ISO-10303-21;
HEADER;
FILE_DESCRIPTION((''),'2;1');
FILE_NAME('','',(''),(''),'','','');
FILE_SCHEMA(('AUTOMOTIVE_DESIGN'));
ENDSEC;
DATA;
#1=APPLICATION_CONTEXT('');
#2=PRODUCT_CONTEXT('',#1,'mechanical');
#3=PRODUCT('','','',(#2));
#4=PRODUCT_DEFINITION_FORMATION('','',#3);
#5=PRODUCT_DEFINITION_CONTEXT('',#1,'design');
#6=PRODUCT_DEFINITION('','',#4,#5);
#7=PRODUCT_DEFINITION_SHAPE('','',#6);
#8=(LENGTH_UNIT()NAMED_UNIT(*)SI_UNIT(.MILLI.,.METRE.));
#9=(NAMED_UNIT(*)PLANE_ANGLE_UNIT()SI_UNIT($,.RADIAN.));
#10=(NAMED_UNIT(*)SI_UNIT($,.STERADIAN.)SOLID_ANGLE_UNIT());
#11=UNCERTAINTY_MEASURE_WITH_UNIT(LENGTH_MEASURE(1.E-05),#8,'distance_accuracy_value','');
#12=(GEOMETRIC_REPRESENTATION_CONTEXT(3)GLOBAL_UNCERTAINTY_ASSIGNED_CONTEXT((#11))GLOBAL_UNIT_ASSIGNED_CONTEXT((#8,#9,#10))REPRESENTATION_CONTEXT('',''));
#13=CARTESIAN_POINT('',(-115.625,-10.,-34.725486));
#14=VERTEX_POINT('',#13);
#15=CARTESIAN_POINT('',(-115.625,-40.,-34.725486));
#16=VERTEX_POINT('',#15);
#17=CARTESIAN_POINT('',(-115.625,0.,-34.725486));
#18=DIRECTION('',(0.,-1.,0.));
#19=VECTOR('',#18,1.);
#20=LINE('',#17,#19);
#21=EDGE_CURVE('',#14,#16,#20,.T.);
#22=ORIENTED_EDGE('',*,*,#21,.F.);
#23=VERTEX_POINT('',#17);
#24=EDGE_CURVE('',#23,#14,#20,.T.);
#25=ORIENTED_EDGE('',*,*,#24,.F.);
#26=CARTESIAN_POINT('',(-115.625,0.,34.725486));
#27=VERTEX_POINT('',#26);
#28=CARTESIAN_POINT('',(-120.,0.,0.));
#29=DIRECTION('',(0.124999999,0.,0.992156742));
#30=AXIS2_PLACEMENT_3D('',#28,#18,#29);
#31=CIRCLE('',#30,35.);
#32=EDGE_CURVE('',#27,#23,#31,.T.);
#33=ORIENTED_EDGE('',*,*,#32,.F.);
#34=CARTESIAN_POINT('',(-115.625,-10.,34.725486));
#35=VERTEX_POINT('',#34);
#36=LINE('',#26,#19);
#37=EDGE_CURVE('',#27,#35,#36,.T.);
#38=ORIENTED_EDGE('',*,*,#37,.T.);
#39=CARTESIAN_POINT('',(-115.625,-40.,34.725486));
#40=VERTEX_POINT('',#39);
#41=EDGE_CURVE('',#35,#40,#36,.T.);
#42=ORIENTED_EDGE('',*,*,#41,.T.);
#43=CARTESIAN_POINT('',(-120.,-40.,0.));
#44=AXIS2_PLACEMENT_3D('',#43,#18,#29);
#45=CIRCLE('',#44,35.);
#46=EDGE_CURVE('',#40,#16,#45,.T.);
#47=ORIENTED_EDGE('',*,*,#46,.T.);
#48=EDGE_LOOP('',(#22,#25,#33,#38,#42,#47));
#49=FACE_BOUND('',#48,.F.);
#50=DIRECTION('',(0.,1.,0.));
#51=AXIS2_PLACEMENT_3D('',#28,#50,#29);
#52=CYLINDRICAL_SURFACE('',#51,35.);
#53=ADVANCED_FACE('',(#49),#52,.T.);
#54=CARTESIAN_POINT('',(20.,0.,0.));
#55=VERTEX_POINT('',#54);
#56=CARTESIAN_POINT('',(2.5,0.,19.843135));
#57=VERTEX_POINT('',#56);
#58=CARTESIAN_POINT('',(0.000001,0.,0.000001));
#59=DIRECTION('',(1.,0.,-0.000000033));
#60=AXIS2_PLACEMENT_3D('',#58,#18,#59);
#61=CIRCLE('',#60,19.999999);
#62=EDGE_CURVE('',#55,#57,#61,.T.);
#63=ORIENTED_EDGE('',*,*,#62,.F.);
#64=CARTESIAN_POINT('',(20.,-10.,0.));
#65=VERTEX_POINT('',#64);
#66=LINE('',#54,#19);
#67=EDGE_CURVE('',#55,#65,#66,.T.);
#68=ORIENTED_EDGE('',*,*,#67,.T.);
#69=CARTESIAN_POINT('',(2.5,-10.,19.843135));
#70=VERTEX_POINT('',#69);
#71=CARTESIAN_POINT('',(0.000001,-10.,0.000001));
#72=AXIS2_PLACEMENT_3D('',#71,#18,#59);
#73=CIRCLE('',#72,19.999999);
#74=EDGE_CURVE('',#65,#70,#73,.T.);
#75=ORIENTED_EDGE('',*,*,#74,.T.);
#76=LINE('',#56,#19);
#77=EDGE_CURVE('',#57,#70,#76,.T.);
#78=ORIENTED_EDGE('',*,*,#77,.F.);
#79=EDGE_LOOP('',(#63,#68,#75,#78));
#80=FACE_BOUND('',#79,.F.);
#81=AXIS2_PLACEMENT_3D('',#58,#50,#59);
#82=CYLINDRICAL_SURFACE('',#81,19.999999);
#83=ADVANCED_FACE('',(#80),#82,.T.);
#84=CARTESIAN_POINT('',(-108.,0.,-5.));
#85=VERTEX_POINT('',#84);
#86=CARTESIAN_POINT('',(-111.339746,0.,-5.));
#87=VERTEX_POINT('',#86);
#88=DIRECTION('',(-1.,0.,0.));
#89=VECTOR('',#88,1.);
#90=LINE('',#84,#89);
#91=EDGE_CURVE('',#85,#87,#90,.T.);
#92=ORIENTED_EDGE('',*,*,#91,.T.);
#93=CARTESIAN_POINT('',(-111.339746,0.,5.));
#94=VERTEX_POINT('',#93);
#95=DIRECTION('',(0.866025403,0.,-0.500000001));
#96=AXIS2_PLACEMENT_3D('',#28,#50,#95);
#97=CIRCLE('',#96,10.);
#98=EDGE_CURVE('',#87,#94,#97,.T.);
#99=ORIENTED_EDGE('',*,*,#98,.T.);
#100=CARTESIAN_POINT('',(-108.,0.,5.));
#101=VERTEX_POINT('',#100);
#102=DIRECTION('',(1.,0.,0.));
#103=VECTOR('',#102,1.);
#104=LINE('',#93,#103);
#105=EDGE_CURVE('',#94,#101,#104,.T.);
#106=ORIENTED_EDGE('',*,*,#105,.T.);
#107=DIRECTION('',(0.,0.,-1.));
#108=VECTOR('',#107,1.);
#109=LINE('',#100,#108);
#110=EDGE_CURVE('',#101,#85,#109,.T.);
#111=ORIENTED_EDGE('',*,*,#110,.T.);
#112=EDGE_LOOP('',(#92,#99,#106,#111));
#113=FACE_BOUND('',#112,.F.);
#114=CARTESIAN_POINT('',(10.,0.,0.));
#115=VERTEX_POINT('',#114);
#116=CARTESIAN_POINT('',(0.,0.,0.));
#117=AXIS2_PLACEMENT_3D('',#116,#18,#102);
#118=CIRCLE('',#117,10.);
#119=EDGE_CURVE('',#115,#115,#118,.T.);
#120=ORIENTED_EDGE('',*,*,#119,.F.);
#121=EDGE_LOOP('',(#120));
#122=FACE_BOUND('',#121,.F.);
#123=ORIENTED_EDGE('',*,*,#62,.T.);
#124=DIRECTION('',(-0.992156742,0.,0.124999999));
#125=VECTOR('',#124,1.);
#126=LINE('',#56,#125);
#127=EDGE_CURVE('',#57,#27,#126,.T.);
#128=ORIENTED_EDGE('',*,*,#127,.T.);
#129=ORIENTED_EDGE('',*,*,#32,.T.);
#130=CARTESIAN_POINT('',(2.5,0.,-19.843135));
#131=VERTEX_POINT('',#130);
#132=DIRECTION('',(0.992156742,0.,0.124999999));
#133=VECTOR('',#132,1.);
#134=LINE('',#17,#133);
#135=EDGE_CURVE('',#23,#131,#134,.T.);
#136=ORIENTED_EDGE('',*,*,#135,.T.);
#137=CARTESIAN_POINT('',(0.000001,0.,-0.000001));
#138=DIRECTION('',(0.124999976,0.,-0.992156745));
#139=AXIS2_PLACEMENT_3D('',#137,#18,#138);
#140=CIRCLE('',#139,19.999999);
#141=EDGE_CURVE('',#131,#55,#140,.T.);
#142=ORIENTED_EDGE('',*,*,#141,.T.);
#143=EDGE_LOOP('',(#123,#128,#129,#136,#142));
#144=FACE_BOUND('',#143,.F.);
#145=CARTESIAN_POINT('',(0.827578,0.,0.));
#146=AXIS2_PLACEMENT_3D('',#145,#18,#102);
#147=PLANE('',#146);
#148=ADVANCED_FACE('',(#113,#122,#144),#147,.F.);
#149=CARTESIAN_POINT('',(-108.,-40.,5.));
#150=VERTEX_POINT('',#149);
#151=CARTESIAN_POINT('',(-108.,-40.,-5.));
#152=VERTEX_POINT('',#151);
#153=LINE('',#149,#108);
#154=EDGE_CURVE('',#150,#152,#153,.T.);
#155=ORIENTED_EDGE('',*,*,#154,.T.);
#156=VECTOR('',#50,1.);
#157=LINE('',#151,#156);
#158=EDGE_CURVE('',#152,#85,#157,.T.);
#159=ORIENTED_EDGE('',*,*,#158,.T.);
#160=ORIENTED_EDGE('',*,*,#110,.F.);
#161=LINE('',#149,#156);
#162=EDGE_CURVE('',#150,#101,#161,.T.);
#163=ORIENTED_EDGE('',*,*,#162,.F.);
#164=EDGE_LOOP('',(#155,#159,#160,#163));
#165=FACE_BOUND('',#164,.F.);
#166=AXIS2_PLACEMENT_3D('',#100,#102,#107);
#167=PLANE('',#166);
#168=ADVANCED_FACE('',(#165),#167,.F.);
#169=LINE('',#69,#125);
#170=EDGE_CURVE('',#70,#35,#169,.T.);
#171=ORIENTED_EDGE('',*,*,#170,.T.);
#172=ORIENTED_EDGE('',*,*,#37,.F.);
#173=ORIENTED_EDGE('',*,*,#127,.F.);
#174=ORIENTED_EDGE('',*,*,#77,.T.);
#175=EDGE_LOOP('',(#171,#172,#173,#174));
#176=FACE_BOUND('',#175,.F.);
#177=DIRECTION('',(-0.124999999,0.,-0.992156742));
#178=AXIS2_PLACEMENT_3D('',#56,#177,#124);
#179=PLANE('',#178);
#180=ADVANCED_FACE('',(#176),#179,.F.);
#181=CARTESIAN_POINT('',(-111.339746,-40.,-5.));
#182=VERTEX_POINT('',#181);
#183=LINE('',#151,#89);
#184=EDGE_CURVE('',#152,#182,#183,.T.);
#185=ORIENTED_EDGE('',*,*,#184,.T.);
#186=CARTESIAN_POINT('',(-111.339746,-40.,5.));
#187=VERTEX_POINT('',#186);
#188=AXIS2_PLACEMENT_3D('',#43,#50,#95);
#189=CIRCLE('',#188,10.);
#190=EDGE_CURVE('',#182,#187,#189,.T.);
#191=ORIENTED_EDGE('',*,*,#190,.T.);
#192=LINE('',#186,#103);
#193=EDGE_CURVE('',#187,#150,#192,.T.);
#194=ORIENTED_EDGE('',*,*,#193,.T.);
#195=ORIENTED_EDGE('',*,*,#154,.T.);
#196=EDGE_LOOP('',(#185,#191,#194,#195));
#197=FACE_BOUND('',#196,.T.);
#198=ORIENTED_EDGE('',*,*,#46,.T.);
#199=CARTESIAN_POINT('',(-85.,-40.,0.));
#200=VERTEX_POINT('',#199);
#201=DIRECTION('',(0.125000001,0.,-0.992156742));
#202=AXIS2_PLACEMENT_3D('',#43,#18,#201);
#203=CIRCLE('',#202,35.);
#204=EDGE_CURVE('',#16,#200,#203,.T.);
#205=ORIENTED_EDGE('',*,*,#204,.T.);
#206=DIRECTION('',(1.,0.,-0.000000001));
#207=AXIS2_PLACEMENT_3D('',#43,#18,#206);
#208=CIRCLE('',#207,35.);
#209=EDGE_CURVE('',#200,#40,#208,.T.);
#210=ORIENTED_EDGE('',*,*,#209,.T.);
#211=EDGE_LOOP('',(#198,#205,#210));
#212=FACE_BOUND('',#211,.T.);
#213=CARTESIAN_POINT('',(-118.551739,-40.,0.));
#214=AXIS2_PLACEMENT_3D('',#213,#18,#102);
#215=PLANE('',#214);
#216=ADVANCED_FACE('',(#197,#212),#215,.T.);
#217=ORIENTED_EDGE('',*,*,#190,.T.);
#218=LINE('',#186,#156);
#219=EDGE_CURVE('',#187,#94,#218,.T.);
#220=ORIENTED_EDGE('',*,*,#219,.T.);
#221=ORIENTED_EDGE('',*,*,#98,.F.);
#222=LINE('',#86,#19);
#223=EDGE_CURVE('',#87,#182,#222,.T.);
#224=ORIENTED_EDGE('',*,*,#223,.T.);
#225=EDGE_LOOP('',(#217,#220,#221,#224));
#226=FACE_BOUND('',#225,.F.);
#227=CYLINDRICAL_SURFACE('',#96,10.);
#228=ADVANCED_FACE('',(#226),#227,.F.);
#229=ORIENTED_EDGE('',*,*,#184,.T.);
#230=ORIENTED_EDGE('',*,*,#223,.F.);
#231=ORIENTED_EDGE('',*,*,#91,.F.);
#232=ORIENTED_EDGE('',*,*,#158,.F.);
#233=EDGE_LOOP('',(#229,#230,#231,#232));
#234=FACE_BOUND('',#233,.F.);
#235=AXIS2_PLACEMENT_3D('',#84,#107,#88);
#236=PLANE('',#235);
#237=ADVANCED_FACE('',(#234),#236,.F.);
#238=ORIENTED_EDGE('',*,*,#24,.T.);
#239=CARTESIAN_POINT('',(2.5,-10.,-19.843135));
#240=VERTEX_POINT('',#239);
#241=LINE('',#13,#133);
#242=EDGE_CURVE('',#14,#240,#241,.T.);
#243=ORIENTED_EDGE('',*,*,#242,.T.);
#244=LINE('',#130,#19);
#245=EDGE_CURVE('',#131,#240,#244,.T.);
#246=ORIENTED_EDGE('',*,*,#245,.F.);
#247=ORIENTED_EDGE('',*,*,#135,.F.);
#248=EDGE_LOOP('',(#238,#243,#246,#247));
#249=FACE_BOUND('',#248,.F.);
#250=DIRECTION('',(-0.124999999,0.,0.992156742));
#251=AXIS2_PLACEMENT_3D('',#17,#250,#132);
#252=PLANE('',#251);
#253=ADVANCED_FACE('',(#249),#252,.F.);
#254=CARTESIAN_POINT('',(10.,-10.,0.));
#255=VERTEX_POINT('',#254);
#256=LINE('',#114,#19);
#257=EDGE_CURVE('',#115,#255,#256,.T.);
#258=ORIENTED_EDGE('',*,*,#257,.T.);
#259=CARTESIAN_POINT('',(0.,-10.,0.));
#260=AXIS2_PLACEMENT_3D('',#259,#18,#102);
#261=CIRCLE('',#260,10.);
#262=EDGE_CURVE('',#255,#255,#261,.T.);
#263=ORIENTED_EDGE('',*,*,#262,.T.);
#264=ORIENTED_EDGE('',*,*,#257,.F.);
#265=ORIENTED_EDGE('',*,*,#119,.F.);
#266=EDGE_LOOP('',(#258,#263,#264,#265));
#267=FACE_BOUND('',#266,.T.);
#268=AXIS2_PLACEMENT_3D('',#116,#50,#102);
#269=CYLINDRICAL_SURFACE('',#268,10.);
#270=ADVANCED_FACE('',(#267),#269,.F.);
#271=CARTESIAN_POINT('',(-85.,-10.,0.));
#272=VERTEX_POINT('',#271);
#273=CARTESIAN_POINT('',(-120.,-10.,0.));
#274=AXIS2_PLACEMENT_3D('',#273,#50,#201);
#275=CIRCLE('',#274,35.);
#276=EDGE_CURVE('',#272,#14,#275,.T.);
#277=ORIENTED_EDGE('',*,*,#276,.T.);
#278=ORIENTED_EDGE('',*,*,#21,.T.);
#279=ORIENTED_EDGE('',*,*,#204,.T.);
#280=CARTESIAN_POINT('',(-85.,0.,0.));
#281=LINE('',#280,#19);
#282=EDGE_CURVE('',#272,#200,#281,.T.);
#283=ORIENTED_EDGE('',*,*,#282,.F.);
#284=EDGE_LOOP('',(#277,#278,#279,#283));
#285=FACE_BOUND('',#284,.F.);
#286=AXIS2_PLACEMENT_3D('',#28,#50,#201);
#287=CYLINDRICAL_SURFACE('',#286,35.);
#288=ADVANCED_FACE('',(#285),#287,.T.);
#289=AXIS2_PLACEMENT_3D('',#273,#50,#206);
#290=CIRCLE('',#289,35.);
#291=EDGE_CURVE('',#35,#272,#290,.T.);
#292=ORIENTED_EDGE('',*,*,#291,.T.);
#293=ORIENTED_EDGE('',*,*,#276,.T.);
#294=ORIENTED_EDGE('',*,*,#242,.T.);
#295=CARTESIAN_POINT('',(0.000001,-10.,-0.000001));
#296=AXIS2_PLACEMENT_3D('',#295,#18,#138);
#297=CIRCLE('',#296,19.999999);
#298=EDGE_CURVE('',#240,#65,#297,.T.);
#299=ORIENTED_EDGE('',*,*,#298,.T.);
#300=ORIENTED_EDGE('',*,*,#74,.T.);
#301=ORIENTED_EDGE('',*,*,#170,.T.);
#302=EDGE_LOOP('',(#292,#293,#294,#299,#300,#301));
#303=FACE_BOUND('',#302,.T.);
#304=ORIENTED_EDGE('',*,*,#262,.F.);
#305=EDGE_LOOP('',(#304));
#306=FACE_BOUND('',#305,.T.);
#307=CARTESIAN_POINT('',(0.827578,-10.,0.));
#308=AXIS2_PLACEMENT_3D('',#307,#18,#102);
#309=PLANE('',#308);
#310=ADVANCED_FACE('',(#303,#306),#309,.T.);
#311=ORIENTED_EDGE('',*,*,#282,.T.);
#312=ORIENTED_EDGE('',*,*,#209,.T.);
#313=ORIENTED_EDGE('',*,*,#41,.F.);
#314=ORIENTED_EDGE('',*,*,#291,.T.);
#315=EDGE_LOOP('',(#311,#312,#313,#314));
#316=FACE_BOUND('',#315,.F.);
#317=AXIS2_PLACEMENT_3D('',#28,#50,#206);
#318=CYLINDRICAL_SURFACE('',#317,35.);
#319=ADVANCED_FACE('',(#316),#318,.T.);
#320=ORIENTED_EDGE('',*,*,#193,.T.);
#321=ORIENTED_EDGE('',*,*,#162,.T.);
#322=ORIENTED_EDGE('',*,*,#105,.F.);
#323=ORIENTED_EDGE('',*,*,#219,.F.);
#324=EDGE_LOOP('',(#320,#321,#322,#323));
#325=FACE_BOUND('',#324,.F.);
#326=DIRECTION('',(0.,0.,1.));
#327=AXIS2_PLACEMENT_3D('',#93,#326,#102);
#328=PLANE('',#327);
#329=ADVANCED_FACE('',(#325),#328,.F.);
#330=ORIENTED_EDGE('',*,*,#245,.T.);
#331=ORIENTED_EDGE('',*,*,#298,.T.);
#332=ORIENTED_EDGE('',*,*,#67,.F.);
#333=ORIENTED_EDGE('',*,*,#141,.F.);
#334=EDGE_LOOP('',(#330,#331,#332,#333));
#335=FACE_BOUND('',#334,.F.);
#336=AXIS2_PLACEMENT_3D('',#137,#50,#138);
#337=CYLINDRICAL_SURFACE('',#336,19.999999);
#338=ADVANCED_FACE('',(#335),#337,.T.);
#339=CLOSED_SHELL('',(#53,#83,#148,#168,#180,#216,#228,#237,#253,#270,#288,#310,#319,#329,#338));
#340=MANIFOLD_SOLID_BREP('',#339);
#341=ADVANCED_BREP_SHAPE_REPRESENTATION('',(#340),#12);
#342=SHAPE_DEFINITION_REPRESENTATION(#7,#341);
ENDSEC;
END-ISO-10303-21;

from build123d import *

# Parameters (mm, degrees)
F1_DEPTH = 40
F0_R     = 10
F2_DEPTH = 10


with BuildPart() as f1:
    # F0 (on Front) → F1 (new body)
    with BuildSketch(Plane.XZ):
        with BuildLine():
            ThreePointArc((-85, 0), (-93.75, 23.150324), (-115.625, 34.725486))
            ThreePointArc((-115.625, 34.725486), (-155, 0), (-115.625, -34.725486))
            ThreePointArc((-115.625, -34.725486), (-93.75, -23.150324), (-85, 0))
        make_face()
        with BuildLine():
            ThreePointArc((-111.339746, -5), (-130, 0), (-111.339746, 5))
            Line((-111.339746, 5), (-108, 5))
            Line((-108, 5), (-108, -5))
            Line((-108, -5), (-111.339746, -5))
        make_face(mode=Mode.SUBTRACT)
    extrude(amount=F1_DEPTH)

    # F0 (on Front) → F2 (join)
    with BuildSketch(Plane.XZ):
        with BuildLine():
            ThreePointArc((2.5, -19.843135), (15, -13.228757), (20, 0))
            ThreePointArc((20, 0), (15, 13.228757), (2.5, 19.843135))
            ThreePointArc((2.5, 19.843135), (-20, 0), (2.5, -19.843135))
        make_face()
        Circle(F0_R, mode=Mode.SUBTRACT)
        with BuildLine():
            ThreePointArc((2.5, -19.843135), (-20, 0), (2.5, 19.843135))
            Line((2.5, 19.843135), (-115.625, 34.725486))
            ThreePointArc((-115.625, 34.725486), (-93.75, 23.150324), (-85, 0))
            ThreePointArc((-85, 0), (-93.75, -23.150324), (-115.625, -34.725486))
            Line((-115.625, -34.725486), (2.5, -19.843135))
        make_face()
        with BuildLine():
            ThreePointArc((-85, 0), (-93.75, 23.150324), (-115.625, 34.725486))
            ThreePointArc((-115.625, 34.725486), (-155, 0), (-115.625, -34.725486))
            ThreePointArc((-115.625, -34.725486), (-93.75, -23.150324), (-85, 0))
        make_face()
        with BuildLine():
            ThreePointArc((-111.339746, -5), (-130, 0), (-111.339746, 5))
            Line((-111.339746, 5), (-108, 5))
            Line((-108, 5), (-108, -5))
            Line((-108, -5), (-111.339746, -5))
        make_face(mode=Mode.SUBTRACT)
    extrude(amount=F2_DEPTH)


solid = f1.part
